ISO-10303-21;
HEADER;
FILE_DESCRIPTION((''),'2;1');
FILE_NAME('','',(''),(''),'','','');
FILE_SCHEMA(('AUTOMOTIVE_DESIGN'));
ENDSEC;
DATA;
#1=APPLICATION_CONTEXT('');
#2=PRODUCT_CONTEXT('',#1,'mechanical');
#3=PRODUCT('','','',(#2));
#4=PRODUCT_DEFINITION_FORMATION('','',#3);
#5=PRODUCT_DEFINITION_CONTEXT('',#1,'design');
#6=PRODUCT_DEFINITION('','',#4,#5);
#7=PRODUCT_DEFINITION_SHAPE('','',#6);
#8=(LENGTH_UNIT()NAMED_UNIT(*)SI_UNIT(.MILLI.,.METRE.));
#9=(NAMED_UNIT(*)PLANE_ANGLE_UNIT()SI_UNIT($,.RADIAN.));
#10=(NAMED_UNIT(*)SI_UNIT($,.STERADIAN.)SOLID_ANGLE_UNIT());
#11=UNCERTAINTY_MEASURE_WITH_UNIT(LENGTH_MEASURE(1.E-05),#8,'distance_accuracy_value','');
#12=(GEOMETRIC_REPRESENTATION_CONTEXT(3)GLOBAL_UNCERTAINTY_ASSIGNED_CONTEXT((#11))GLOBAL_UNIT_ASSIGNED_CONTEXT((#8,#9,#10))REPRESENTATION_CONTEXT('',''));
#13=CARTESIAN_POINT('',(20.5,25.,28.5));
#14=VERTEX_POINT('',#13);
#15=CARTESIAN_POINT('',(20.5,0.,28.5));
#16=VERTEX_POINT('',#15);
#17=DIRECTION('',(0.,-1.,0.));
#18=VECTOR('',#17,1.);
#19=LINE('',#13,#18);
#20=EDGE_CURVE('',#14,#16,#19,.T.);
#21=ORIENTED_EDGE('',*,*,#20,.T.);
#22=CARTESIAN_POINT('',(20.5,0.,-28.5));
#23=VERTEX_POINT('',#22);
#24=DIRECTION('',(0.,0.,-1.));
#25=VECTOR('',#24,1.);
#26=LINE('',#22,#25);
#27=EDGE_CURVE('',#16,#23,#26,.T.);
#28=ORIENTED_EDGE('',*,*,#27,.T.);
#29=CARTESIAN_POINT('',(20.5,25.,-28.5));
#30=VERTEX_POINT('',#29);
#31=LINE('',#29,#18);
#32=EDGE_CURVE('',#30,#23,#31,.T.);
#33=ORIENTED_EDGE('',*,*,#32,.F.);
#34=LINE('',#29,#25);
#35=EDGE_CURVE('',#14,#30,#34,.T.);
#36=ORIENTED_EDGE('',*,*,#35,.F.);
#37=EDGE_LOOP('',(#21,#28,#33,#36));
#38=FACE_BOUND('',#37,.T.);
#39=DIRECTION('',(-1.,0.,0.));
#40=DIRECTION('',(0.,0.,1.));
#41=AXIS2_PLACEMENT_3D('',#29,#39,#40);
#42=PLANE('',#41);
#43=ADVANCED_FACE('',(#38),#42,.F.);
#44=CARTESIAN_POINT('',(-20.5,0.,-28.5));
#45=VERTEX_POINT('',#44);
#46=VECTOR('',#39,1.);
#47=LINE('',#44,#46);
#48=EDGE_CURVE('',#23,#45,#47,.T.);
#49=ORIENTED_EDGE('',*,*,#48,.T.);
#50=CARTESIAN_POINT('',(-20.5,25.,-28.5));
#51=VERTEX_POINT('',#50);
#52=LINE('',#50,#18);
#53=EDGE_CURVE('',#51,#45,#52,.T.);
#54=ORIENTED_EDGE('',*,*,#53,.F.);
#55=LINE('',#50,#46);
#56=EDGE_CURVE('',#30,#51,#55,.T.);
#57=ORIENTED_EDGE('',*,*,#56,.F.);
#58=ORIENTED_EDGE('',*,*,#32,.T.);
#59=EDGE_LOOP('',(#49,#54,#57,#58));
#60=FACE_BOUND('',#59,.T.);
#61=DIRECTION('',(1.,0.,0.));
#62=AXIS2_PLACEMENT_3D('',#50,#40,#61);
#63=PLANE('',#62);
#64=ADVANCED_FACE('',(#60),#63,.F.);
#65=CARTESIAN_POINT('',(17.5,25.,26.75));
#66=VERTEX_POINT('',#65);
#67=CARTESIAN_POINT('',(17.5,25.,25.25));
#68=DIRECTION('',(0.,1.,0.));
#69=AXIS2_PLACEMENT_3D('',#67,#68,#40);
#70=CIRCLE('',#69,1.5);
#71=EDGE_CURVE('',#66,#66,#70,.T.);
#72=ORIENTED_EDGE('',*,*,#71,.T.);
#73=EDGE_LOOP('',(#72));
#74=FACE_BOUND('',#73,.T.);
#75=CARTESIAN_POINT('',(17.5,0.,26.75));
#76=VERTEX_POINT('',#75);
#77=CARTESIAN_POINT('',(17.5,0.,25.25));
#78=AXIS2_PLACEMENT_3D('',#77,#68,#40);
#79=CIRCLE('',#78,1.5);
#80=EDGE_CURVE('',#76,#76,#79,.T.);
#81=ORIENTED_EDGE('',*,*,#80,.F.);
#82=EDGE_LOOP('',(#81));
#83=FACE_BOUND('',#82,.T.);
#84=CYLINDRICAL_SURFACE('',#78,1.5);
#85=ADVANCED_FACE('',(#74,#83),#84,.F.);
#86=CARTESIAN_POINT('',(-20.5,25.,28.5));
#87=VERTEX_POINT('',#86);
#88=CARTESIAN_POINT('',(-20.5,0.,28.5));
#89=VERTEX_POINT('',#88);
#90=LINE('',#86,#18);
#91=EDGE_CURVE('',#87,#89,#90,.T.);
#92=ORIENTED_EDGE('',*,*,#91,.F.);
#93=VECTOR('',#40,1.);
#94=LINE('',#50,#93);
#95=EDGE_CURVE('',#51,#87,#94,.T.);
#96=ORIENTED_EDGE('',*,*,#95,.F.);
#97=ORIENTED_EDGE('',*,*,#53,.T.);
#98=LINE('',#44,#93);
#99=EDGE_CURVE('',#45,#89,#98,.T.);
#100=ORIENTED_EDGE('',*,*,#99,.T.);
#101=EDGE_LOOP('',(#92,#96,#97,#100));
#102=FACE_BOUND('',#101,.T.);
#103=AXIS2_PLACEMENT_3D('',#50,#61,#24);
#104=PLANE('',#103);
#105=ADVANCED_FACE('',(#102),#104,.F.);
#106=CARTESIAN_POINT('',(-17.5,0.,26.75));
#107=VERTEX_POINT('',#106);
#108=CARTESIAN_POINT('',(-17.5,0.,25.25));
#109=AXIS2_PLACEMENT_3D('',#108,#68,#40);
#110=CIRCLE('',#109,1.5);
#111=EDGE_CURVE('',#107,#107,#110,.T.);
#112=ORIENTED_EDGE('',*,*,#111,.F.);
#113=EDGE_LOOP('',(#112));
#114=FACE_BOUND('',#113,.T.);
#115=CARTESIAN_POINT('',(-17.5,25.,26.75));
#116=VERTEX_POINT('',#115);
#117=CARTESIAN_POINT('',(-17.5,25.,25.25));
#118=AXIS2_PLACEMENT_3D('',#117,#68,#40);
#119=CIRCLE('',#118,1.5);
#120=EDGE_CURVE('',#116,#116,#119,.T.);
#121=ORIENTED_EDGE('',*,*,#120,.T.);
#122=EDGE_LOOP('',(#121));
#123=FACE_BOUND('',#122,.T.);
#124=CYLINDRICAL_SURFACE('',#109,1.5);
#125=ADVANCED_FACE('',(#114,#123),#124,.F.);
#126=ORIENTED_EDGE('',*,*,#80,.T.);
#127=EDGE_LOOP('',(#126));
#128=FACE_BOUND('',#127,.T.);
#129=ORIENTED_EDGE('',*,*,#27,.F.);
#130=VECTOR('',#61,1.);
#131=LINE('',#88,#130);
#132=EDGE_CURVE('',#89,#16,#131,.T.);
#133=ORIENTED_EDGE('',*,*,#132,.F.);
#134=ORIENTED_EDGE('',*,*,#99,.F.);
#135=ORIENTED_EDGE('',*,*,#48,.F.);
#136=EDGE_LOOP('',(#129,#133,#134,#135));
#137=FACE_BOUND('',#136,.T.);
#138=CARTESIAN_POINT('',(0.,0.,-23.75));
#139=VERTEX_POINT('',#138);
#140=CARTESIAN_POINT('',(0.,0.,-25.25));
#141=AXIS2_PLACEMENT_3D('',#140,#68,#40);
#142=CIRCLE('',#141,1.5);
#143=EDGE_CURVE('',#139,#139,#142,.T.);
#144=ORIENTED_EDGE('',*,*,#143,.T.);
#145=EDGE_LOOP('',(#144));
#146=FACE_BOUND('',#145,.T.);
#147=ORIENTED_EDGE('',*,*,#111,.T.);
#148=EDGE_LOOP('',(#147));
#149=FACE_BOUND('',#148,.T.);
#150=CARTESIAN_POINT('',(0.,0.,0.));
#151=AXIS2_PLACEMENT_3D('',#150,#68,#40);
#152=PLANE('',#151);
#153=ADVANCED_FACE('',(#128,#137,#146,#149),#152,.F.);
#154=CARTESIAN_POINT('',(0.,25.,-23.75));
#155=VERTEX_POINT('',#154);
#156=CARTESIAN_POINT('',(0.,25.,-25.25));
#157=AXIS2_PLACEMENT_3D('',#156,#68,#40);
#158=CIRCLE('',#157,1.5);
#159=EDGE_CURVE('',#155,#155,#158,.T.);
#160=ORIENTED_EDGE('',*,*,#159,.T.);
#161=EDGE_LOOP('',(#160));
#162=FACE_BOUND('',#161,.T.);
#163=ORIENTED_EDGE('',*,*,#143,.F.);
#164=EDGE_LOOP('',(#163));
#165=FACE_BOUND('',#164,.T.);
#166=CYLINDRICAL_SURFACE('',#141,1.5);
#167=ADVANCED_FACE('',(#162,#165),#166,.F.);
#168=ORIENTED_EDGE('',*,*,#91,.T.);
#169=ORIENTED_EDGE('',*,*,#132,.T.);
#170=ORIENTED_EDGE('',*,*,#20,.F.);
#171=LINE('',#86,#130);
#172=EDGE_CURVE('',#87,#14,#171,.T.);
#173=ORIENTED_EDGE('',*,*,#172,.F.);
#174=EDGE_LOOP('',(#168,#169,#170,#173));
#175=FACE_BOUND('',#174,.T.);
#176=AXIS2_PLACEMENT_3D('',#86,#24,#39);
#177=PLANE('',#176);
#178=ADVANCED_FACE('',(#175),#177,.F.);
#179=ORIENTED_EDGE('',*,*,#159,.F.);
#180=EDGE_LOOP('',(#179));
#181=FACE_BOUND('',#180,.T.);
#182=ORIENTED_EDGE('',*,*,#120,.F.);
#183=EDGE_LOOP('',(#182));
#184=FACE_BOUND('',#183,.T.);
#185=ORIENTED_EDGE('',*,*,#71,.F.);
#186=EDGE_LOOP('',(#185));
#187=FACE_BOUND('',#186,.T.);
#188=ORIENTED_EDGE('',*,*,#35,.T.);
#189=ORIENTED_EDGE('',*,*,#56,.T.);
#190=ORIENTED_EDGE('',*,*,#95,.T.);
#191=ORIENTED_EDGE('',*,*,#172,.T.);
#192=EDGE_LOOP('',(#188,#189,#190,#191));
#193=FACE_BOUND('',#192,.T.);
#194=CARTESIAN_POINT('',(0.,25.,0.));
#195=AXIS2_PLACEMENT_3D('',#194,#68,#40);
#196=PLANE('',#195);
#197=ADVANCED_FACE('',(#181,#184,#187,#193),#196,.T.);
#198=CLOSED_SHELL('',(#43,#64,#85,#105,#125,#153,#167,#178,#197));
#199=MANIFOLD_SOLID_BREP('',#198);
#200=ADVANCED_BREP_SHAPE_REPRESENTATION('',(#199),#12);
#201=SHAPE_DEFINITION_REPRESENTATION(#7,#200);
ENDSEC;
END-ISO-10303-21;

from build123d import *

# Parameters (mm, degrees)
SKETCH_1_W          = 41
SKETCH_1_H          = 57
EXTRUDE_1_DEPTH     = 25
SKETCH_2_R          = 1.5
CUT_EXTRUDE_1_DEPTH = 26


with BuildPart() as part:
    # 草图1 → 凸台-拉伸1 (new body)
    with BuildSketch(Plane(origin=(0, 0, 0), x_dir=(1, 0, 0), z_dir=(0, 1, 0))):
        Rectangle(SKETCH_1_W, SKETCH_1_H)
    extrude(amount=EXTRUDE_1_DEPTH)

    # 草图2 → 切除-拉伸1 (cut, through all)
    with BuildSketch(Plane(origin=(0, 25, 0), x_dir=(1, 0, 0), z_dir=(0, 1, 0))):
        with Locations((0, 25.25)):
            Circle(SKETCH_2_R)
        with Locations((-17.5, -25.25)):
            Circle(SKETCH_2_R)
        with Locations((17.5, -25.25)):
            Circle(SKETCH_2_R)
    extrude(amount=-CUT_EXTRUDE_1_DEPTH, mode=Mode.SUBTRACT)


solid = part.part
